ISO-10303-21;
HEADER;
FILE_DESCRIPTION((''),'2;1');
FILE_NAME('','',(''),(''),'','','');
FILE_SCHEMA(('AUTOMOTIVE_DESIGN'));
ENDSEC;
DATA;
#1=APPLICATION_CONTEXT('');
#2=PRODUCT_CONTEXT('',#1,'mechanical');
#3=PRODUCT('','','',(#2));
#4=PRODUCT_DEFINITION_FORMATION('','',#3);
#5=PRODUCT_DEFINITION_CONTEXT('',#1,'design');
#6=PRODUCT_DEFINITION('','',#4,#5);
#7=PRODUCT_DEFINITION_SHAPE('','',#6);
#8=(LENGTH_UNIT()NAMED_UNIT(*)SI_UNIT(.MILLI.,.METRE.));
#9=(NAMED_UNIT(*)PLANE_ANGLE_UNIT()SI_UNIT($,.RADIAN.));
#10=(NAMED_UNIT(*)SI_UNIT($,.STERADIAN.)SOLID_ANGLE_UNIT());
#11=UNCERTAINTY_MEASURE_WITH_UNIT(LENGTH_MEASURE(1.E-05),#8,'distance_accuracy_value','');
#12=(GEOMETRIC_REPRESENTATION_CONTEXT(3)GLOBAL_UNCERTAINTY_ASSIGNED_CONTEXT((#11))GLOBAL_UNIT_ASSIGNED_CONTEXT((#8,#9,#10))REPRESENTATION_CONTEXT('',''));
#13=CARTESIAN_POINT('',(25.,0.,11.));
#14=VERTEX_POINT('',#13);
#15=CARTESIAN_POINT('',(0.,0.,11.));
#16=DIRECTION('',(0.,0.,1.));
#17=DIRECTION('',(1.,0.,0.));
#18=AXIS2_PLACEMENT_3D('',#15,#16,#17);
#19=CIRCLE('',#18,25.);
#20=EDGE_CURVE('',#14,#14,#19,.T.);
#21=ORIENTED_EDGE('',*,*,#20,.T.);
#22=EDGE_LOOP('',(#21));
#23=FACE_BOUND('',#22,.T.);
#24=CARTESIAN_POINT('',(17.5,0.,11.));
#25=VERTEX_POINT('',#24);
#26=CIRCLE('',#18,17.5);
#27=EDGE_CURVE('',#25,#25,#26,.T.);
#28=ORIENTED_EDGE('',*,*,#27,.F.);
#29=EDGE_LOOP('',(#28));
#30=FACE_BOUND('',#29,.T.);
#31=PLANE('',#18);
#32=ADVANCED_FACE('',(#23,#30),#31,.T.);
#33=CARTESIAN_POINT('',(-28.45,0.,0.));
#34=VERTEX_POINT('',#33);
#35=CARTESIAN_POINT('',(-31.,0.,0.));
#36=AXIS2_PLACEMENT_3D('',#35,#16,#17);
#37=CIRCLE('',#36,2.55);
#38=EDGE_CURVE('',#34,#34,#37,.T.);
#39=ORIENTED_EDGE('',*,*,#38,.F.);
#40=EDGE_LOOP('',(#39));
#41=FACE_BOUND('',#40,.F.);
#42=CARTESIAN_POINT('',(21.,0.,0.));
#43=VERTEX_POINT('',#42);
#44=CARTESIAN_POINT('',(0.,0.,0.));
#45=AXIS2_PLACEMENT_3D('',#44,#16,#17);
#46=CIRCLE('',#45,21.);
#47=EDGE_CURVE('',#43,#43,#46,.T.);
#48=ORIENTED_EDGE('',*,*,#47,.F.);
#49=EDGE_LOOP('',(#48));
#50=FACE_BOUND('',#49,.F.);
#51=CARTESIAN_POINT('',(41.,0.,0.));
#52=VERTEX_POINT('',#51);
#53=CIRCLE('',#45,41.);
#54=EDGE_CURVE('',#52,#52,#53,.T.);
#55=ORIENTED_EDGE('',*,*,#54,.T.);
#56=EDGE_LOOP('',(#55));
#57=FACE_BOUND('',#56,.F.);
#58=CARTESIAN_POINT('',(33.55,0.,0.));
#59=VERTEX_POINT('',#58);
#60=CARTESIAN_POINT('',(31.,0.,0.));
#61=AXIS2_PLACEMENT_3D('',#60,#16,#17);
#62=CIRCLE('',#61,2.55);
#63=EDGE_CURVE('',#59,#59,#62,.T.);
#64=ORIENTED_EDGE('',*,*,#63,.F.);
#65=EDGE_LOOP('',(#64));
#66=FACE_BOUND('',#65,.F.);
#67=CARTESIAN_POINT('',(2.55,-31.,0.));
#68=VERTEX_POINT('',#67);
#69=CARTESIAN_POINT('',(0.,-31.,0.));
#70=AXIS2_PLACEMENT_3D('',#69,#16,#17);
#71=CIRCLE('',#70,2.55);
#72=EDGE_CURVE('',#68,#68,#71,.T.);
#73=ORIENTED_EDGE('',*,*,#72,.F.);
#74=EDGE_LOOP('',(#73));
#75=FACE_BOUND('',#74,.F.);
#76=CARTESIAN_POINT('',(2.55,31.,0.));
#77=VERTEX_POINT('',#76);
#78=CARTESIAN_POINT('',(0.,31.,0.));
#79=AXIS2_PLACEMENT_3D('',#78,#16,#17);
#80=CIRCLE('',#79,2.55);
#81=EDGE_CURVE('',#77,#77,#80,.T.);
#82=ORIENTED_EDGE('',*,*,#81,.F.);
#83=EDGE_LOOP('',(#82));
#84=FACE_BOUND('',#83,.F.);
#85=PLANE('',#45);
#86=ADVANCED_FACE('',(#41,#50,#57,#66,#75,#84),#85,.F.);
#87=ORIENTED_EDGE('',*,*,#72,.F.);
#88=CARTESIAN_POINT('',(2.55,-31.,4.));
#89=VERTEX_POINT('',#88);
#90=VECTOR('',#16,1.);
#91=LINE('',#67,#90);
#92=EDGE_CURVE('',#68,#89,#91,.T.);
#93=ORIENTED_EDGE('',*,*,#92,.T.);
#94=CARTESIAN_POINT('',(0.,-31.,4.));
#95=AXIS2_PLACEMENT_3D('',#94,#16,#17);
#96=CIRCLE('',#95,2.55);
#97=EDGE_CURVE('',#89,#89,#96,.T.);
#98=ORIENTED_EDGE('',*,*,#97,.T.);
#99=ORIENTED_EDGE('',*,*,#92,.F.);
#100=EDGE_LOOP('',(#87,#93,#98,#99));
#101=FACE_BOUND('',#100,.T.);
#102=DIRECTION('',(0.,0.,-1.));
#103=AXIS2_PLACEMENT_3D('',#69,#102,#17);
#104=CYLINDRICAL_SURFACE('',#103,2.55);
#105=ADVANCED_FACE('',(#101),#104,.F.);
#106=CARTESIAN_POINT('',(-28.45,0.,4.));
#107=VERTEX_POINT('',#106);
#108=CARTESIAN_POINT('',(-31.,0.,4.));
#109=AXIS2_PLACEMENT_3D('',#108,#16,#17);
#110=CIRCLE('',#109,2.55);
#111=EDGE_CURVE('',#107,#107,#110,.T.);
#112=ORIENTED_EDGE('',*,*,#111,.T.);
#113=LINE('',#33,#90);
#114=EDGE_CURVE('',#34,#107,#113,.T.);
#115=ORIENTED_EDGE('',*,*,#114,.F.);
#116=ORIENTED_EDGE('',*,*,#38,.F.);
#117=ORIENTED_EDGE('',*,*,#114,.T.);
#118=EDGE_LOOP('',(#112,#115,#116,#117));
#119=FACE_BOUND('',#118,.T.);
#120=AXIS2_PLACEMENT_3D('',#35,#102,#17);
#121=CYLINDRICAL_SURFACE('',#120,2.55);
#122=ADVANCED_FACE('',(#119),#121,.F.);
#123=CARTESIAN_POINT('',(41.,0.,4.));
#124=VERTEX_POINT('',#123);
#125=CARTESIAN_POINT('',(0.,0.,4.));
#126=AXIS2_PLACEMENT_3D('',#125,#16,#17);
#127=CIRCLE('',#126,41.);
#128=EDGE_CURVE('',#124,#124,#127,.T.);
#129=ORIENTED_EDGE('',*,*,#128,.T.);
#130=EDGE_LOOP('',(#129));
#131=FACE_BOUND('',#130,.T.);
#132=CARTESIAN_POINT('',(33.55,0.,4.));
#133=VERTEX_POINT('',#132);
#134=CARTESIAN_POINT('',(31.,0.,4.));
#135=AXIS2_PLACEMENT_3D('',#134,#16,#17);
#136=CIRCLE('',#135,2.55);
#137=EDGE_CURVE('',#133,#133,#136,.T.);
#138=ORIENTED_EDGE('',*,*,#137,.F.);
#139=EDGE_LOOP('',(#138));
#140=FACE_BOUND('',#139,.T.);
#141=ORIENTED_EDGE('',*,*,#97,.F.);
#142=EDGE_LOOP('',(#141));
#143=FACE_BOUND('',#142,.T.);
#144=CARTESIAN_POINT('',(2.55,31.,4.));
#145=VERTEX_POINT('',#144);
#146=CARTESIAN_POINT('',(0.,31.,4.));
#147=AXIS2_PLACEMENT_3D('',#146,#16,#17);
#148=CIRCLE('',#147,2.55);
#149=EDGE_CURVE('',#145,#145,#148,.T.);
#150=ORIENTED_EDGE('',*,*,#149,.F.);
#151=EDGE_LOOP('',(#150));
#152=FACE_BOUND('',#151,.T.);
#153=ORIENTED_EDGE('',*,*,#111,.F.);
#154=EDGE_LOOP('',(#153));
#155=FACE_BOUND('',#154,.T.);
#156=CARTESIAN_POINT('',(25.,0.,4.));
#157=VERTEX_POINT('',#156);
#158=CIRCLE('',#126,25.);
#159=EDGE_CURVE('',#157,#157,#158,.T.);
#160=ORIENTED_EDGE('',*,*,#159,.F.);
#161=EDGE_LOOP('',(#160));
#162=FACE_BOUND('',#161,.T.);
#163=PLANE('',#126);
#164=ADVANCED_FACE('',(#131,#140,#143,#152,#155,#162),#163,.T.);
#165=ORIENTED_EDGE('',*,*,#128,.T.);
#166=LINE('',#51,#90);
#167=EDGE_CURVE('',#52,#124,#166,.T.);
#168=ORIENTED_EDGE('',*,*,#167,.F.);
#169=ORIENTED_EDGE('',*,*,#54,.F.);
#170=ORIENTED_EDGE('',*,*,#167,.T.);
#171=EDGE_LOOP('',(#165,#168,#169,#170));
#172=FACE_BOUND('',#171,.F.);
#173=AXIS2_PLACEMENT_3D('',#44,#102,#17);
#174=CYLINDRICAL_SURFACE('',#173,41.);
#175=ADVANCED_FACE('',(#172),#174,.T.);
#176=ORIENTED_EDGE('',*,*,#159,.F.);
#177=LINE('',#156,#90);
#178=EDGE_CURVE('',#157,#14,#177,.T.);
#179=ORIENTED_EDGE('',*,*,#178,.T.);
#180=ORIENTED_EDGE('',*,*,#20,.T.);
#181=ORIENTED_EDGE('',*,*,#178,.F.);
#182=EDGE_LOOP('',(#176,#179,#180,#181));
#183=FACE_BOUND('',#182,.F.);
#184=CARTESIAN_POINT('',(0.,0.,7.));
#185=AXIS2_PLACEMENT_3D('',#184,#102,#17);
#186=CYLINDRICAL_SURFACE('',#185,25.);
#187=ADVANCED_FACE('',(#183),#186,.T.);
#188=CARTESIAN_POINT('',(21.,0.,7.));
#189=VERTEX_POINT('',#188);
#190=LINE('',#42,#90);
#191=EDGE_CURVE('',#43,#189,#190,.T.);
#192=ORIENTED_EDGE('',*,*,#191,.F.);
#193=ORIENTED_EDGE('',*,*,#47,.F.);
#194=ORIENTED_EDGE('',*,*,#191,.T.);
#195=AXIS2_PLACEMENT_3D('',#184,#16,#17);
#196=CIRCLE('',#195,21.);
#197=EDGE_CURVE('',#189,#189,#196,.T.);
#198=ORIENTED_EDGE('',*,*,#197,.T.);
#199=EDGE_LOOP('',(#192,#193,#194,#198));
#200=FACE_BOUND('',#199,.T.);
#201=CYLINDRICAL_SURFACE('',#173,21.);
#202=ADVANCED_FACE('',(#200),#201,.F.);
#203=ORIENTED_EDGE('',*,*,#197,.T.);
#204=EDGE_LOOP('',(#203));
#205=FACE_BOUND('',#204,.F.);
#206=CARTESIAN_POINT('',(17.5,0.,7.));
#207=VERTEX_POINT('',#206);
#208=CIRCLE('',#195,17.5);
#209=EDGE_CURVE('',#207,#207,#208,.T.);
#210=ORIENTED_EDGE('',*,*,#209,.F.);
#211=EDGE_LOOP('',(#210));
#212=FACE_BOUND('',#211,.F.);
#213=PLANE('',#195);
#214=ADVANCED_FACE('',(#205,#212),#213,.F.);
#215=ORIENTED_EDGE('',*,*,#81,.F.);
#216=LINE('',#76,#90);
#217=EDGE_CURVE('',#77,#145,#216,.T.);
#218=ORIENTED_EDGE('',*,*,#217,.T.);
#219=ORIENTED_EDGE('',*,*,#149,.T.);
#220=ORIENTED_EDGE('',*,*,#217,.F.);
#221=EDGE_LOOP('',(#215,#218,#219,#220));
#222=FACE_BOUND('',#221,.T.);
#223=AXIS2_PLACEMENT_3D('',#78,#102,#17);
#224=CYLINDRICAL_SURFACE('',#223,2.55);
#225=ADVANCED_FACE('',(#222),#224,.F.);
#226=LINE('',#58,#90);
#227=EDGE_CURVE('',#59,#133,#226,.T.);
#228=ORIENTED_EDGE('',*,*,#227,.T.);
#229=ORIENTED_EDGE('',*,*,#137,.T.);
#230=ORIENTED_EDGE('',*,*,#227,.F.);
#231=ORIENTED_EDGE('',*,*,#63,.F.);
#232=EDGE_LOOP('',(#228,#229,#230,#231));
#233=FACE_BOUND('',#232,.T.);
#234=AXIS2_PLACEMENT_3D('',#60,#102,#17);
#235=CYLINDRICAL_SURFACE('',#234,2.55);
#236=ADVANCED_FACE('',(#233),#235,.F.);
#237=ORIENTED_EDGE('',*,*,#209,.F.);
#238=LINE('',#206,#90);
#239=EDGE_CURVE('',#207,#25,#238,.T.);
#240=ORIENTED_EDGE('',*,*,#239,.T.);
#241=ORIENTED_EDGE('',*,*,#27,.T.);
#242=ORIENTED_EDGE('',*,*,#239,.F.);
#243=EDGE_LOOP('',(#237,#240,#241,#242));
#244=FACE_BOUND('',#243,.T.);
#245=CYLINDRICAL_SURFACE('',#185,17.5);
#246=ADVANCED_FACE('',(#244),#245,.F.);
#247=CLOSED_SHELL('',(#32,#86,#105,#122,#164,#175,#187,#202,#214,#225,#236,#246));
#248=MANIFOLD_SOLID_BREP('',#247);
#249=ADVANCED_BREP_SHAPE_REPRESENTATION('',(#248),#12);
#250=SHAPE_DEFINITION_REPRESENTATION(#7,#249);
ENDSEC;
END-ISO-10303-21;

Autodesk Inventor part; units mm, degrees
ref_plane "YZ Plane" through (0, 0, 0) normal (1, 0, 0) x (0, 1, 0)
ref_plane "XZ Plane" through (0, 0, 0) normal (0, 1, 0) x (-1, 0, 0)
ref_plane "XY Plane" through (0, 0, 0) normal (0, 0, 1) x (1, 0, 0)
sketch "Sketch1" plane through (0, 0, 0) normal (0, 0, 1) x (1, 0, 0)
  circle A0 centre (0, 0) radius 21
  circle A1 centre (0, 0) radius 41
  circle A2 centre (0, 0) radius 31 construction
  circle A3 centre (0, 31) radius 2.55
  circle A4 centre (-31, 0) radius 2.55
  circle A5 centre (0, -31) radius 2.55
  circle A6 centre (31, 0) radius 2.55
  dimension "d0" = 42
  dimension "d1" = 20
  dimension "d2" = 10
  dimension "d3" = 5.1
  dimension "d6" = 360
extrude "Extrusion1" add sketch "Sketch1" along normal blind 4
sketch "Sketch2" plane through (0, 0, 4) normal (0, 0, 1) x (1, 0, 0)
  circle A0 centre (0, 0) radius 25
  circle A1 centre (0, 0) radius 21 projected
  dimension "d10" = 4
extrude "Extrusion2" add sketch "Sketch2" along normal blind 3
sketch "Sketch3" plane through (0, 0, 7) normal (0, 0, 1) x (1, 0, 0)
  circle A0 centre (0, 0) radius 25 projected
  circle A1 centre (0, 0) radius 17.5
  dimension "d13" = 35
extrude "Extrusion3" add sketch "Sketch3" along normal blind 4
properties part number "BearingHolder"
